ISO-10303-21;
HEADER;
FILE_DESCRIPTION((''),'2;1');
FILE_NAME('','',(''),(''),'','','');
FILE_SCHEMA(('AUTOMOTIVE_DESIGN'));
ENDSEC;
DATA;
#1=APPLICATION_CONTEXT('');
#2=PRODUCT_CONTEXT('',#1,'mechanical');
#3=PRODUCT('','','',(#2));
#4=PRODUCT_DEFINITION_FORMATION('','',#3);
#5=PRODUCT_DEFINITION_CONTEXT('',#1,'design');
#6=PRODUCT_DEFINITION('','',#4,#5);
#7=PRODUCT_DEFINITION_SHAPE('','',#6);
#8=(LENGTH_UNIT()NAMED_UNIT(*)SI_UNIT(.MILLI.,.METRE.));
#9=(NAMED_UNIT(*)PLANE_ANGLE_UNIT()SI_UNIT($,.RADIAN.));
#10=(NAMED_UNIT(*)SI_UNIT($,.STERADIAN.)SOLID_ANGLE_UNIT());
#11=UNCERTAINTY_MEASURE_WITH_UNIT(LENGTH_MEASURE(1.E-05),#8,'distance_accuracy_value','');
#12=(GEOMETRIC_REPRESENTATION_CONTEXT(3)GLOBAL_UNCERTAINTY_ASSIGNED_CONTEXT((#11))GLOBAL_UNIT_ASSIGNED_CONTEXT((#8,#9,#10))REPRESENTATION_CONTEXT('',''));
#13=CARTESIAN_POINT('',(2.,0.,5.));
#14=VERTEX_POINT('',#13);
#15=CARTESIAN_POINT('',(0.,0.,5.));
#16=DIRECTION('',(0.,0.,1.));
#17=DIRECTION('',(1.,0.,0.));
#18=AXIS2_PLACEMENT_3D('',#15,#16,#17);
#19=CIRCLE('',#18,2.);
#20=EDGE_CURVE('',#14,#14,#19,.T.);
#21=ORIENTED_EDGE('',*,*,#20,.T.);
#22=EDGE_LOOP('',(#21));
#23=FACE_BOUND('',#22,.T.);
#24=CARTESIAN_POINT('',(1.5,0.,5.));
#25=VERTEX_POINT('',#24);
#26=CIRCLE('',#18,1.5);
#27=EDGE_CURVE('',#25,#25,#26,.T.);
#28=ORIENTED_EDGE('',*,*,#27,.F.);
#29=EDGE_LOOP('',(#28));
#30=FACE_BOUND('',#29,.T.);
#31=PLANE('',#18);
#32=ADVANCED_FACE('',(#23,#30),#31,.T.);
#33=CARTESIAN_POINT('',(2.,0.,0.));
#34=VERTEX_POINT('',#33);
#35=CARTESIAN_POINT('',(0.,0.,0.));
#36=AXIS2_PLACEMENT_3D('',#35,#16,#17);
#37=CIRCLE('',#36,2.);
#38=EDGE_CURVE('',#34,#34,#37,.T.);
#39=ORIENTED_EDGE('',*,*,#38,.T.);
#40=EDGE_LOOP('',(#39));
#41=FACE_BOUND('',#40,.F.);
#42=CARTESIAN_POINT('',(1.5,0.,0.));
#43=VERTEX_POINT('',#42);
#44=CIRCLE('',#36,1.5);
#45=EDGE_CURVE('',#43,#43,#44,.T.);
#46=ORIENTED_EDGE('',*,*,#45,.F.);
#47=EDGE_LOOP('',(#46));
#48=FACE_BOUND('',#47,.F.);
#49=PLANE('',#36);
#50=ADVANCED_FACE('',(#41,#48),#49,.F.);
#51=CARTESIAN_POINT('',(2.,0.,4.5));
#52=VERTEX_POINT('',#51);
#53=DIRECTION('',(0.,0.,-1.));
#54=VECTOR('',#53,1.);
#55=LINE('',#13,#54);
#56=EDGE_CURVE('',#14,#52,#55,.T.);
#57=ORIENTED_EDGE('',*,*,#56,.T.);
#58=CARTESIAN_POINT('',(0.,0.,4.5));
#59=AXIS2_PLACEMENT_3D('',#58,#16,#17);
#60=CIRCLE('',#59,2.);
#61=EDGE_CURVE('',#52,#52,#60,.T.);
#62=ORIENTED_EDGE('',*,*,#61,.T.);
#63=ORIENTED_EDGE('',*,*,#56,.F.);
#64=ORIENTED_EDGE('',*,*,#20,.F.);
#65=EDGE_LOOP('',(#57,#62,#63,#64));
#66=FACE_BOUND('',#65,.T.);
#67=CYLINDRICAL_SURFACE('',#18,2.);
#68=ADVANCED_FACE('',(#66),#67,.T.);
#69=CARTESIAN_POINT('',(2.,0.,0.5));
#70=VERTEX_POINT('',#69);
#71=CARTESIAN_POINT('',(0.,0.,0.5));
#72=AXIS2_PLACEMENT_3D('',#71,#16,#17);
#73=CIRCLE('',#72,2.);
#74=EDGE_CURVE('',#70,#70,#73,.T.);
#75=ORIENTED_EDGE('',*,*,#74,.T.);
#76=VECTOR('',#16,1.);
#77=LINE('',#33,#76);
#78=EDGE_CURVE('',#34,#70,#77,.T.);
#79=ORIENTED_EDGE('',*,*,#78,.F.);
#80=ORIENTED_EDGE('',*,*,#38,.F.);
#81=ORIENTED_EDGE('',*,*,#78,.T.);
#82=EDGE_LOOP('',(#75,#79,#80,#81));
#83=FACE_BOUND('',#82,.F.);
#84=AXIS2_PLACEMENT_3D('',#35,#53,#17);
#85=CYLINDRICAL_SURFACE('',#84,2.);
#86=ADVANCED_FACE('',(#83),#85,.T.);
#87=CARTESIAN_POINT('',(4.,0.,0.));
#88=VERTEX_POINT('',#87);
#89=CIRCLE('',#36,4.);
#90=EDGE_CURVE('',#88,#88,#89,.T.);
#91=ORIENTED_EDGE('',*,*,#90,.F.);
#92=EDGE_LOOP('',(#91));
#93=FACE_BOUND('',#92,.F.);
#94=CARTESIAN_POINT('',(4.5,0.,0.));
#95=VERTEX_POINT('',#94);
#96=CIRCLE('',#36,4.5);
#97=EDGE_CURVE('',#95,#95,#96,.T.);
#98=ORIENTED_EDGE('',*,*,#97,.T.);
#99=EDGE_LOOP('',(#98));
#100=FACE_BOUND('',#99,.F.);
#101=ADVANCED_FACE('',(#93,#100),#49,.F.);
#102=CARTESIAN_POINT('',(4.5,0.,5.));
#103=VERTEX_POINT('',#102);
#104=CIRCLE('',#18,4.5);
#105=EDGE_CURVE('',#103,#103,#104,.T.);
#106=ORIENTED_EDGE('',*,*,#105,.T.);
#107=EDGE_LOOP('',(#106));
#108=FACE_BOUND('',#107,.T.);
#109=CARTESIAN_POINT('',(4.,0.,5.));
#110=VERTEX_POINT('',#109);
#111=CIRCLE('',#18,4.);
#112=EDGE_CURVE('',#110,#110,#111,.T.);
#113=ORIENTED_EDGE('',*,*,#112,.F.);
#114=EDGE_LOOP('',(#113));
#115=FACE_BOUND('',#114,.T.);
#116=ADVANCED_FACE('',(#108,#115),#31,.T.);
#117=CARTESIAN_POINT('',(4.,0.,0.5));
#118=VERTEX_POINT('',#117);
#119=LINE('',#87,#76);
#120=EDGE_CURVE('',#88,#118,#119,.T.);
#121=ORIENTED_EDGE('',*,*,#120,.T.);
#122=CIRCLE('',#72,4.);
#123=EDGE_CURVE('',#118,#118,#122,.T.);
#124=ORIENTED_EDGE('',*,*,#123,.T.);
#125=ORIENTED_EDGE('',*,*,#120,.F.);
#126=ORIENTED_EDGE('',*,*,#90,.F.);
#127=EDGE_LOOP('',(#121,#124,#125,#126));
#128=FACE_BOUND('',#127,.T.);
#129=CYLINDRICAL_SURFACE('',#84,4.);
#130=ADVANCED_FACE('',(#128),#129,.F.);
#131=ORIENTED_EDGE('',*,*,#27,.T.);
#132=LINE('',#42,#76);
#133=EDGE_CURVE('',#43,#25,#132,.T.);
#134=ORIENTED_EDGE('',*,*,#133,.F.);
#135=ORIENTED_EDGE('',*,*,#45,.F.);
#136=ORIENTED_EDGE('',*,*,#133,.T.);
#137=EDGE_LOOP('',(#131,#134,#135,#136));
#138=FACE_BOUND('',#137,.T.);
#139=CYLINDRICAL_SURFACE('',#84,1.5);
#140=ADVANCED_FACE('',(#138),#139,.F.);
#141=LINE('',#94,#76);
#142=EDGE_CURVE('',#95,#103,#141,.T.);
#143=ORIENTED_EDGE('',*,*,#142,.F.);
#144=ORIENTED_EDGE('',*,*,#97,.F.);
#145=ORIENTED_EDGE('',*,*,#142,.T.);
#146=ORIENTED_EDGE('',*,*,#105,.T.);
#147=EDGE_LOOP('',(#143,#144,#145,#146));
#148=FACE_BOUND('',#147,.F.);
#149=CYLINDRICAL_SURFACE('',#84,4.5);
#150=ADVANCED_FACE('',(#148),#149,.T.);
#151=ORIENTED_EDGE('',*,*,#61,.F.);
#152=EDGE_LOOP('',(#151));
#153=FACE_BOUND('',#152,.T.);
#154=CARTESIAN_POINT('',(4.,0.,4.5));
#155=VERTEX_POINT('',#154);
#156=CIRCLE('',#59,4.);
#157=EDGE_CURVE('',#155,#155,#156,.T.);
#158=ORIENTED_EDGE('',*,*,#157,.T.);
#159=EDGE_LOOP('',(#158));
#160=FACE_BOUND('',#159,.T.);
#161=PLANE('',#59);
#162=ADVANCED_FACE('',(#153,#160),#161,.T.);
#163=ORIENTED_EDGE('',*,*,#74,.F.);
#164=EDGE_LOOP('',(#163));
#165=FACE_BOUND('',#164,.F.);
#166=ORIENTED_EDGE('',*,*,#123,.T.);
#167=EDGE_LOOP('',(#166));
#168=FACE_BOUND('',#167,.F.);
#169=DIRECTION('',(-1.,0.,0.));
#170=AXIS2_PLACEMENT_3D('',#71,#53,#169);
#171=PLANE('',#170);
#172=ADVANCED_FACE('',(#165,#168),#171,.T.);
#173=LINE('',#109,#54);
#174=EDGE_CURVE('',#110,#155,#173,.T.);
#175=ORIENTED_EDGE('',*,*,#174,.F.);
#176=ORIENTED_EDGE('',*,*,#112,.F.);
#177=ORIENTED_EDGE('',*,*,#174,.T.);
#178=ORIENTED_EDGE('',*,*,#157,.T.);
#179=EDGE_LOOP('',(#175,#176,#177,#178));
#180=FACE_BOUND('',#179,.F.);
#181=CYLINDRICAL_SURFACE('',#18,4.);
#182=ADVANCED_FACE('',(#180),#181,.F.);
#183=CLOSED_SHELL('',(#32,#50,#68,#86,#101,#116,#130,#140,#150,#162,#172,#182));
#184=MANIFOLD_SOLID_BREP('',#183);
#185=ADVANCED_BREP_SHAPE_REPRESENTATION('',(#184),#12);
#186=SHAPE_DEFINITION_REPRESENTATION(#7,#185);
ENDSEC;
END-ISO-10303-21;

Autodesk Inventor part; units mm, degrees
ref_plane "YZ Plane" through (0, 0, 0) normal (1, 0, 0) x (0, 1, 0)
ref_plane "XZ Plane" through (0, 0, 0) normal (0, 1, 0) x (-1, 0, 0)
sketch "Sketch1" plane through (0, 0, 0) normal (0, 0, 1) x (1, 0, 0)
  circle A0 centre (0, 0) radius 1.5
  circle A1 centre (0, 0) radius 4.5
  dimension "d0" = 3
  dimension "d1" = 9
extrude "Extrusion1" add sketch "Sketch1" along normal blind 5
sketch "Sketch2" plane through (0, 0, 5) normal (0, 0, 1) x (1, 0, 0)
  circle A0 centre (0, 0) radius 4.5 projected
  circle A1 centre (0, 0) radius 1.5 projected
  circle A2 centre (0, 0) radius 2
  circle A3 centre (0, 0) radius 4
  dimension "d4" = 0.5
  dimension "d5" = 0.5
extrude "Extrusion2" cut sketch "Sketch2" against normal blind 0.5 contours A3
ref_plane "Work Plane1" through (0, 0, 2.5) normal (0, 0, 1) x (1, 0, 0)
mirror "Mirror1" about plane through (0, 0, 2.5) normal (0, 0, 1) of "Extrusion2"
properties part number "603ZZ Roller Bearing"
